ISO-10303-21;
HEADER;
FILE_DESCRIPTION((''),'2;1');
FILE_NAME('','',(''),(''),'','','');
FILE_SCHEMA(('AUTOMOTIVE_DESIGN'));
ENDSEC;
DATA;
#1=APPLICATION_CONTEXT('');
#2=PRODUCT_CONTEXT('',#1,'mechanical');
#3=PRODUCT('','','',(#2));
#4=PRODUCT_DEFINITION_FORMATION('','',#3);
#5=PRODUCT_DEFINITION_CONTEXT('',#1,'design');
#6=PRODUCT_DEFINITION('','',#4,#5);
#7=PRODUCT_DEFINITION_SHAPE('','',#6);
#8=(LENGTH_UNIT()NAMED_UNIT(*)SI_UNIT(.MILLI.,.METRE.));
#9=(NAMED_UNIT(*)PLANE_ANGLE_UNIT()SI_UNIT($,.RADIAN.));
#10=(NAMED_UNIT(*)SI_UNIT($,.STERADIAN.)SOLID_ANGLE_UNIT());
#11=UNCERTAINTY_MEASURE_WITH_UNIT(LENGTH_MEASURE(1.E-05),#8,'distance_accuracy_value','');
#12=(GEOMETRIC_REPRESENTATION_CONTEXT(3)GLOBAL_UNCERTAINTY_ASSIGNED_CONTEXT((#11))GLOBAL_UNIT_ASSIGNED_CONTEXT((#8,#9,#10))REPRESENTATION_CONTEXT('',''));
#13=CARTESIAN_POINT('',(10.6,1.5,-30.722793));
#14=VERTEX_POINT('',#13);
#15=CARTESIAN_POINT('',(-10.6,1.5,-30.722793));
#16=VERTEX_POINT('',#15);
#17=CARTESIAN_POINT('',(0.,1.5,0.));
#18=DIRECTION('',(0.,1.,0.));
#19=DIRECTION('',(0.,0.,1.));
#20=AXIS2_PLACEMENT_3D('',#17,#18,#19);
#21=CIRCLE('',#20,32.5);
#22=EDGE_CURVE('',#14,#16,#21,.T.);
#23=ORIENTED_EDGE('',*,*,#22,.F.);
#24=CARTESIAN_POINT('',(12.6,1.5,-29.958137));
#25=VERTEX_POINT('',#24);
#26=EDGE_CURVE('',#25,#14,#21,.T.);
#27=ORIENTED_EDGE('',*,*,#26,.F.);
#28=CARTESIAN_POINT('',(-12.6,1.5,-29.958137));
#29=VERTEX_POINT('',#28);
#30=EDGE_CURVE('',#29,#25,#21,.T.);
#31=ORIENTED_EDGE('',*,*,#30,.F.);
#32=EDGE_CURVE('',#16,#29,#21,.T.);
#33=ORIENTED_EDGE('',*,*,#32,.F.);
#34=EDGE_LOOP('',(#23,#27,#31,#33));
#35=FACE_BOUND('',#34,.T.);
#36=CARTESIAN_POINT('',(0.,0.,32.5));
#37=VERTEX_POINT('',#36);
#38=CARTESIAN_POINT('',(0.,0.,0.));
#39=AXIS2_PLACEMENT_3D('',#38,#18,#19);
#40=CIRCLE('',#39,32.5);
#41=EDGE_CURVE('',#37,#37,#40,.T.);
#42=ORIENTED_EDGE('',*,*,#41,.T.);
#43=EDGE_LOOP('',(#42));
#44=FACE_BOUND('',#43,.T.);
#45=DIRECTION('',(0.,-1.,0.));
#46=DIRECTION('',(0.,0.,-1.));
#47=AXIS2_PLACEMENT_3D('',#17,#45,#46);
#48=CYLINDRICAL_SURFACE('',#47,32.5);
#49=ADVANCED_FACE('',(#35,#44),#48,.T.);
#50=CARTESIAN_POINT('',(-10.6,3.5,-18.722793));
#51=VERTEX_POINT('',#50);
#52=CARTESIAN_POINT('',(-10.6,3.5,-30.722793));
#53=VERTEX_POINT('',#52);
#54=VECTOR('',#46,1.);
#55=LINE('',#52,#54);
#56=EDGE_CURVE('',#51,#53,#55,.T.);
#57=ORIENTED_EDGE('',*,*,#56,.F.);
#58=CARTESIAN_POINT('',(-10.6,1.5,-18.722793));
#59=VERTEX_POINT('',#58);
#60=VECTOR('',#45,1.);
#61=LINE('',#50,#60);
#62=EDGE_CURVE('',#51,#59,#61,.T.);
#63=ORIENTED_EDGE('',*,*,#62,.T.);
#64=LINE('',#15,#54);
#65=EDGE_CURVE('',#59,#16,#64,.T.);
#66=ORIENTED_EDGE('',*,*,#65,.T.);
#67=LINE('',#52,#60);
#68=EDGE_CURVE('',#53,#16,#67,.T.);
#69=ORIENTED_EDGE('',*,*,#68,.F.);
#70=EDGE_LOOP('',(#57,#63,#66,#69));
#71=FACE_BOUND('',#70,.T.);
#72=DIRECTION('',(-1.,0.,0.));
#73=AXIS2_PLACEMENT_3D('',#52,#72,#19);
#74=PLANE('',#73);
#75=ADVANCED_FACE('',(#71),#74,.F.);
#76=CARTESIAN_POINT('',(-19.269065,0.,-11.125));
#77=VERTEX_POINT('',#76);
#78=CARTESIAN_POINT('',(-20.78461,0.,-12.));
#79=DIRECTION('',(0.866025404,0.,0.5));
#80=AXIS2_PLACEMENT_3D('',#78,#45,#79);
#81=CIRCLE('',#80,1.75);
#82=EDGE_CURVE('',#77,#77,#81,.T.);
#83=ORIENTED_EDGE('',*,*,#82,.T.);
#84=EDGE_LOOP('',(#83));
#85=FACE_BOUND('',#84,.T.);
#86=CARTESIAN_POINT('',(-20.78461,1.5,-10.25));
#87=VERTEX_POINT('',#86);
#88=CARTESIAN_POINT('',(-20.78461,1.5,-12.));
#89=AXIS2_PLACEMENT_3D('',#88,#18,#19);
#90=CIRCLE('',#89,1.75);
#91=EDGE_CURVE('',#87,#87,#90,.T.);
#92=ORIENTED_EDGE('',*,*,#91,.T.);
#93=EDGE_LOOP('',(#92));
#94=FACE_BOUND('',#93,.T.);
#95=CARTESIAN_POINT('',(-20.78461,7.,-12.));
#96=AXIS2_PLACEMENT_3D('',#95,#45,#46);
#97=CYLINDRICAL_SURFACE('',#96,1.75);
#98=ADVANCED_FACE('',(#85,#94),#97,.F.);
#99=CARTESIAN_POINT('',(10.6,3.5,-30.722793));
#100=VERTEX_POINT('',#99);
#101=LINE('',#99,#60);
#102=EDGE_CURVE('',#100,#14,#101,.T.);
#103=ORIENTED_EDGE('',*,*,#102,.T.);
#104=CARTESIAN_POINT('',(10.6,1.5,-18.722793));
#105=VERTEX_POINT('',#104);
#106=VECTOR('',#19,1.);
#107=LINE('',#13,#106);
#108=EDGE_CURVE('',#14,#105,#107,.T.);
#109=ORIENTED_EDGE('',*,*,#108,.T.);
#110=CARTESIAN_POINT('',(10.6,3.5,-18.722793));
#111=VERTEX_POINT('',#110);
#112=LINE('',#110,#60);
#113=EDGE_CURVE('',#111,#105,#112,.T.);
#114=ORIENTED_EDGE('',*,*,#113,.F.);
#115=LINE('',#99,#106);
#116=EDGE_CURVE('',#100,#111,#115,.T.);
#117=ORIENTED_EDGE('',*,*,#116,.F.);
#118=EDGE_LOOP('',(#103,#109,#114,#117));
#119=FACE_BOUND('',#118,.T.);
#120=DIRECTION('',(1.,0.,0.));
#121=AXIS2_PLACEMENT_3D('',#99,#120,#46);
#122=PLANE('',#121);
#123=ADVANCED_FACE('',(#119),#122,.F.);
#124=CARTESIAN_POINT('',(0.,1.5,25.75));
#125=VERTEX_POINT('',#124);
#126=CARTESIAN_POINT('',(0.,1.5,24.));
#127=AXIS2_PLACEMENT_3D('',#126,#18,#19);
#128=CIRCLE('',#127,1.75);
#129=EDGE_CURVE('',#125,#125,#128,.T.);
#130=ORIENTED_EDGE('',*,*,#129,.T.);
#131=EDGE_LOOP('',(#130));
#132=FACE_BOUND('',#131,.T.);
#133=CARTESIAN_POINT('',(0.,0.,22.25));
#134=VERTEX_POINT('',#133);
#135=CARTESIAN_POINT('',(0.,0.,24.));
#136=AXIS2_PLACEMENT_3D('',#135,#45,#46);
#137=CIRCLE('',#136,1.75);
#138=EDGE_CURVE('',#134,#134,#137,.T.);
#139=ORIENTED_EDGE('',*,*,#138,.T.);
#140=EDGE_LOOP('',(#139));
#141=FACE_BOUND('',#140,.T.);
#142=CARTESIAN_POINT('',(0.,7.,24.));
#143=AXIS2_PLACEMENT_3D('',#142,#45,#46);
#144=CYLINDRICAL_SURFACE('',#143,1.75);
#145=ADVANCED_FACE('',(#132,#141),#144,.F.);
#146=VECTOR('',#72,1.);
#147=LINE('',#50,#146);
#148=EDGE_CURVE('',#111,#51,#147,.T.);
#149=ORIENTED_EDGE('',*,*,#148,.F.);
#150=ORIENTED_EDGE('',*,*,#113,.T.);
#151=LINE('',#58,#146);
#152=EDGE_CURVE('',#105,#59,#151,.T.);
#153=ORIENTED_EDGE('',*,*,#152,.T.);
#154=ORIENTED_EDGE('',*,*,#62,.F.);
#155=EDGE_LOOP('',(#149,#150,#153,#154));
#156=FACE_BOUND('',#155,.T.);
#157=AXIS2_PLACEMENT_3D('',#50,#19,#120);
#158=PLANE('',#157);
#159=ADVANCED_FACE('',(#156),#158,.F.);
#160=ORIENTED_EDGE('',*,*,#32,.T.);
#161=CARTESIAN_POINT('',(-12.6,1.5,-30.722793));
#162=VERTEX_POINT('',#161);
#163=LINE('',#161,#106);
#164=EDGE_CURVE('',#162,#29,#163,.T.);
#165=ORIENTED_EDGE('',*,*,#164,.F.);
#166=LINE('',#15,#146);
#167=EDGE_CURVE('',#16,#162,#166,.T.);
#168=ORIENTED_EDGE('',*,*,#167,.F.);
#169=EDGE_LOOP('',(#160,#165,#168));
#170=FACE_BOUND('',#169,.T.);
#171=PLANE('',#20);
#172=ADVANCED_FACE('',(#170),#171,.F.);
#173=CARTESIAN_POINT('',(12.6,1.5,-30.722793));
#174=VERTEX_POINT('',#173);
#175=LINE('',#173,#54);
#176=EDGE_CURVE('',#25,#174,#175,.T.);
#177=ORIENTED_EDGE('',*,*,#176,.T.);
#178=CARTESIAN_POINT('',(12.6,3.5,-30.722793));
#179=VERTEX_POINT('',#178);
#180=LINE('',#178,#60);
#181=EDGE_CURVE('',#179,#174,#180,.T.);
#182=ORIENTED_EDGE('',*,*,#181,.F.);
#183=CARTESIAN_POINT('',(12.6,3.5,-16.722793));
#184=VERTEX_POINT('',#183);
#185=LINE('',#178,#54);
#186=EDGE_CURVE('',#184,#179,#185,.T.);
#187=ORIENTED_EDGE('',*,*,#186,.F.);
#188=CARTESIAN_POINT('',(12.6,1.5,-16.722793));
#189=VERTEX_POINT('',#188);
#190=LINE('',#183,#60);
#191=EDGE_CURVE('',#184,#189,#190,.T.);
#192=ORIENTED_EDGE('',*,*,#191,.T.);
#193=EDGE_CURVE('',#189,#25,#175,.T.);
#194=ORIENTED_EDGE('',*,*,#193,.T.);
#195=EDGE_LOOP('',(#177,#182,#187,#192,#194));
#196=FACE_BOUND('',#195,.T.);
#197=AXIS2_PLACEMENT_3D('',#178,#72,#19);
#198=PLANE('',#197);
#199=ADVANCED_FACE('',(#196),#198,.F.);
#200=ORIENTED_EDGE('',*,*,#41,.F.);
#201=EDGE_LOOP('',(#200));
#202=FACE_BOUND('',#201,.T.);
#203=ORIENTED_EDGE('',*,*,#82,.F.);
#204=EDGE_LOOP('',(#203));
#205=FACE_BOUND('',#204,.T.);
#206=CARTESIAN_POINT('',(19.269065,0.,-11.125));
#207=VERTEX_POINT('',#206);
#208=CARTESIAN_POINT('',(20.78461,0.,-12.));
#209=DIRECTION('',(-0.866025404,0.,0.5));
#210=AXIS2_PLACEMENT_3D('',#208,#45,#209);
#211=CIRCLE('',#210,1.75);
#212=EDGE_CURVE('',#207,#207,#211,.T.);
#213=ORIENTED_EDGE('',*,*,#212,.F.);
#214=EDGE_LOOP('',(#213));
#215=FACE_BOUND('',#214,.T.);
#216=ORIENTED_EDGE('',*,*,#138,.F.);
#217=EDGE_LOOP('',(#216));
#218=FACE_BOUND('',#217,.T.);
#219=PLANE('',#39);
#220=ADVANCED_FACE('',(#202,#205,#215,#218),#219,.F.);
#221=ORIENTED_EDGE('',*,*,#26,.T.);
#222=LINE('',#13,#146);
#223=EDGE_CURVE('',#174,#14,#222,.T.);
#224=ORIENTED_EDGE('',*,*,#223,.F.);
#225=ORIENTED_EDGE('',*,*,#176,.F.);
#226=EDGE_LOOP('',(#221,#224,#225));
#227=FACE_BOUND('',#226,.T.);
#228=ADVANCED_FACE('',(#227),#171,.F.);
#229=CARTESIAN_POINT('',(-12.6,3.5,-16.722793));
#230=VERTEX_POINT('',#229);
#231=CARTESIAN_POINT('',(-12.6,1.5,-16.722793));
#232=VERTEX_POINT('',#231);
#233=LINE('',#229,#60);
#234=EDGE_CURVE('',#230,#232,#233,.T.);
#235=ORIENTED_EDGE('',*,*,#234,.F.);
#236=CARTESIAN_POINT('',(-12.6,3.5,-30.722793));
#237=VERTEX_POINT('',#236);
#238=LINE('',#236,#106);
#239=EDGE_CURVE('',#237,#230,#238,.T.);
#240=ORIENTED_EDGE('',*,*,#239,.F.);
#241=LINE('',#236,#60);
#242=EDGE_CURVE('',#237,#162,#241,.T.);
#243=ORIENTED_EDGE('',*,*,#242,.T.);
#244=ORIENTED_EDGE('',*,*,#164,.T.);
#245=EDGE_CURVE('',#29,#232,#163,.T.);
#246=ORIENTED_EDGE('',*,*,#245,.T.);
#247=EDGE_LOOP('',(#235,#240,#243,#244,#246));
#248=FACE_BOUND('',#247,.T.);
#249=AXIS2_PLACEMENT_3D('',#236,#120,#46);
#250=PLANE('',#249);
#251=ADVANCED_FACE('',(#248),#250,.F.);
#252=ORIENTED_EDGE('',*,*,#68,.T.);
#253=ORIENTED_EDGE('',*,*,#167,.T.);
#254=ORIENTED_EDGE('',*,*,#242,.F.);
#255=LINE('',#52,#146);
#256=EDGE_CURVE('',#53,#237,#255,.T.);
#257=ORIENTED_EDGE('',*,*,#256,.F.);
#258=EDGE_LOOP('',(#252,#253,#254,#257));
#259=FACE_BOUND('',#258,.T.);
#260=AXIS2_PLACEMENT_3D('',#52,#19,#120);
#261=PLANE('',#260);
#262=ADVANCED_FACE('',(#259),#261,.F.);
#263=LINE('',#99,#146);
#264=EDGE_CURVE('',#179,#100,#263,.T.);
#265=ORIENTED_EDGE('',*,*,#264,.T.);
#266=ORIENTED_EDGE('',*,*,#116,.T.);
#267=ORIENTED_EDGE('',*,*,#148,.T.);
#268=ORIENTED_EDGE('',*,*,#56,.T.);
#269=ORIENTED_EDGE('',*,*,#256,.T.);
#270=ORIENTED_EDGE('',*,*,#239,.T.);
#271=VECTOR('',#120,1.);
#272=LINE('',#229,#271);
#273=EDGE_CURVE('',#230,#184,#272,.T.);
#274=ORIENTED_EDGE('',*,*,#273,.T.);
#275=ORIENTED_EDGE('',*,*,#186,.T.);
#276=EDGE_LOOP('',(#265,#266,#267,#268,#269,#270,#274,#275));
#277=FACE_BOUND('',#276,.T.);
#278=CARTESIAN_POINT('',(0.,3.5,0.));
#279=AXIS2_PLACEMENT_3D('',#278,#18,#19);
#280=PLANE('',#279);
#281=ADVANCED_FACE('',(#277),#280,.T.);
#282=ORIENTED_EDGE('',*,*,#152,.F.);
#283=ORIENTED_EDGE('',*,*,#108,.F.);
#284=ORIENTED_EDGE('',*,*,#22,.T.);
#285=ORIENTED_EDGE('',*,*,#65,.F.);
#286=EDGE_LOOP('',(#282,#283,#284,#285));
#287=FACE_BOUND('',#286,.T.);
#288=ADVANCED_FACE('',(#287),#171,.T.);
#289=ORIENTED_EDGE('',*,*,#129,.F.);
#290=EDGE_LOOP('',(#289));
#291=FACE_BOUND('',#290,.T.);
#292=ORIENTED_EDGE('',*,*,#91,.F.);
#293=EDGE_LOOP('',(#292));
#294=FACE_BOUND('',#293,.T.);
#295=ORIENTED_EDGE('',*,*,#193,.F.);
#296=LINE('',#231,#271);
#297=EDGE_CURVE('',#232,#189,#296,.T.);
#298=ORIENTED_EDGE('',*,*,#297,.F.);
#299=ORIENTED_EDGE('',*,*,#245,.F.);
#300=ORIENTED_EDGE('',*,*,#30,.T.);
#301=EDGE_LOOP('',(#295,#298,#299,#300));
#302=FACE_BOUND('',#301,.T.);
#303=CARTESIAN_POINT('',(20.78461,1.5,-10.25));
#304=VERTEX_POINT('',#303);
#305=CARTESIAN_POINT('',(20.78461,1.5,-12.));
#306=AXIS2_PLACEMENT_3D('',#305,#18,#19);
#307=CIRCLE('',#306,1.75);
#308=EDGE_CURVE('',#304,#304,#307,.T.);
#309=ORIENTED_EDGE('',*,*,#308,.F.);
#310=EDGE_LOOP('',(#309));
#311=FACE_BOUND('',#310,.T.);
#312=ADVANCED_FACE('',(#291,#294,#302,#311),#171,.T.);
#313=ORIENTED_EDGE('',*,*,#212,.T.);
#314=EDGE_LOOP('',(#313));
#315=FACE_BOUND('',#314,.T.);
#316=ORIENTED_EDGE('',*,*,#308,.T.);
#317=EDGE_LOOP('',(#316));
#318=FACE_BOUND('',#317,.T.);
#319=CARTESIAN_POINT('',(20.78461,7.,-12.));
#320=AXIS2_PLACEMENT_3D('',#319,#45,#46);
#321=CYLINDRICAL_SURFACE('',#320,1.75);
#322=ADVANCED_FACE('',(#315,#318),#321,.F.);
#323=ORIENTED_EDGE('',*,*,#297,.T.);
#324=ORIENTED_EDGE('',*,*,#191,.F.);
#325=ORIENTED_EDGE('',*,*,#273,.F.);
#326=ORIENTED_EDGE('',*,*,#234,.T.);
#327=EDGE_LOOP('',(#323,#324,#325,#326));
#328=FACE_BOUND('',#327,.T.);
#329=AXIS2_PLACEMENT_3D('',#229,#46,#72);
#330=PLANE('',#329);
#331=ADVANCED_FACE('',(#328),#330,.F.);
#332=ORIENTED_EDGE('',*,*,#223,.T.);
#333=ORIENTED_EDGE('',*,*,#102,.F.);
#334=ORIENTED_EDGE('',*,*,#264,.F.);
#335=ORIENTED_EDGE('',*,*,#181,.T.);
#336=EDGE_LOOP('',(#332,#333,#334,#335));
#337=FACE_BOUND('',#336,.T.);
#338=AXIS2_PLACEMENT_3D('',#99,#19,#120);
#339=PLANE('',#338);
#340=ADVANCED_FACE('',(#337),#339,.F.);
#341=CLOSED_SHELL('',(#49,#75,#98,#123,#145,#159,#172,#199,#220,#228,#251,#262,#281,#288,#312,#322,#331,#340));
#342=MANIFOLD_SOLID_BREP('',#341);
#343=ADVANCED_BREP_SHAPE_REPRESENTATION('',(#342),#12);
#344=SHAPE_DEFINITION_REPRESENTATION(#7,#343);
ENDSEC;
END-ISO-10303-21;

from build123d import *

# Parameters (mm, degrees)
SKETCH_1_R               = 32.5
EXTRUDE_1_DEPTH          = 1.5
EXTRUDE_4_DEPTH          = 2
SKETCH_2_R               = 1.75
CUT_EXTRUDE_1_DEPTH      = 7
PATTERN_CIRCULAR_1_COUNT = 3


with BuildPart() as part:
    # 草图1 → 凸台-拉伸1 (new body)
    with BuildSketch(Plane(origin=(0, 0, 0), x_dir=(1, 0, 0), z_dir=(0, 1, 0))):
        with Locations(Location((0, 0, 0), (0, 0, 270))):
            Circle(SKETCH_1_R)
    extrude(amount=EXTRUDE_1_DEPTH)

    # 草图4 → 凸台-拉伸4 (add)
    with BuildSketch(Plane(origin=(0, 1.5, 0), x_dir=(1, 0, 0), z_dir=(0, 1, 0))):
        Polygon((-12.6, 30.722792842), (-12.6, 16.722792842), (12.6, 16.722792842), (12.6, 30.722792842), (10.6, 30.722792842), (10.6, 18.722792842), (-10.6, 18.722792842), (-10.6, 30.722792842), align=None)
    extrude(amount=EXTRUDE_4_DEPTH)

    # 草图2 → 切除-拉伸1 (cut)
    with BuildSketch(Plane.XZ):
        with Locations(Location((0, 24, 0), (0, 0, 270))):
            Circle(SKETCH_2_R)
    cut_extrude_1 = extrude(amount=-CUT_EXTRUDE_1_DEPTH, mode=Mode.SUBTRACT)

    # 阵列(圆周)1: 切除-拉伸1 ×3 about axis
    pattern_circular_1_axis = Axis((0, 0, 0), (0, 1, 0))
    for i in range(1, PATTERN_CIRCULAR_1_COUNT):
        add(cut_extrude_1.rotate(pattern_circular_1_axis, i * 360 / PATTERN_CIRCULAR_1_COUNT), mode=Mode.SUBTRACT)


solid = part.part
